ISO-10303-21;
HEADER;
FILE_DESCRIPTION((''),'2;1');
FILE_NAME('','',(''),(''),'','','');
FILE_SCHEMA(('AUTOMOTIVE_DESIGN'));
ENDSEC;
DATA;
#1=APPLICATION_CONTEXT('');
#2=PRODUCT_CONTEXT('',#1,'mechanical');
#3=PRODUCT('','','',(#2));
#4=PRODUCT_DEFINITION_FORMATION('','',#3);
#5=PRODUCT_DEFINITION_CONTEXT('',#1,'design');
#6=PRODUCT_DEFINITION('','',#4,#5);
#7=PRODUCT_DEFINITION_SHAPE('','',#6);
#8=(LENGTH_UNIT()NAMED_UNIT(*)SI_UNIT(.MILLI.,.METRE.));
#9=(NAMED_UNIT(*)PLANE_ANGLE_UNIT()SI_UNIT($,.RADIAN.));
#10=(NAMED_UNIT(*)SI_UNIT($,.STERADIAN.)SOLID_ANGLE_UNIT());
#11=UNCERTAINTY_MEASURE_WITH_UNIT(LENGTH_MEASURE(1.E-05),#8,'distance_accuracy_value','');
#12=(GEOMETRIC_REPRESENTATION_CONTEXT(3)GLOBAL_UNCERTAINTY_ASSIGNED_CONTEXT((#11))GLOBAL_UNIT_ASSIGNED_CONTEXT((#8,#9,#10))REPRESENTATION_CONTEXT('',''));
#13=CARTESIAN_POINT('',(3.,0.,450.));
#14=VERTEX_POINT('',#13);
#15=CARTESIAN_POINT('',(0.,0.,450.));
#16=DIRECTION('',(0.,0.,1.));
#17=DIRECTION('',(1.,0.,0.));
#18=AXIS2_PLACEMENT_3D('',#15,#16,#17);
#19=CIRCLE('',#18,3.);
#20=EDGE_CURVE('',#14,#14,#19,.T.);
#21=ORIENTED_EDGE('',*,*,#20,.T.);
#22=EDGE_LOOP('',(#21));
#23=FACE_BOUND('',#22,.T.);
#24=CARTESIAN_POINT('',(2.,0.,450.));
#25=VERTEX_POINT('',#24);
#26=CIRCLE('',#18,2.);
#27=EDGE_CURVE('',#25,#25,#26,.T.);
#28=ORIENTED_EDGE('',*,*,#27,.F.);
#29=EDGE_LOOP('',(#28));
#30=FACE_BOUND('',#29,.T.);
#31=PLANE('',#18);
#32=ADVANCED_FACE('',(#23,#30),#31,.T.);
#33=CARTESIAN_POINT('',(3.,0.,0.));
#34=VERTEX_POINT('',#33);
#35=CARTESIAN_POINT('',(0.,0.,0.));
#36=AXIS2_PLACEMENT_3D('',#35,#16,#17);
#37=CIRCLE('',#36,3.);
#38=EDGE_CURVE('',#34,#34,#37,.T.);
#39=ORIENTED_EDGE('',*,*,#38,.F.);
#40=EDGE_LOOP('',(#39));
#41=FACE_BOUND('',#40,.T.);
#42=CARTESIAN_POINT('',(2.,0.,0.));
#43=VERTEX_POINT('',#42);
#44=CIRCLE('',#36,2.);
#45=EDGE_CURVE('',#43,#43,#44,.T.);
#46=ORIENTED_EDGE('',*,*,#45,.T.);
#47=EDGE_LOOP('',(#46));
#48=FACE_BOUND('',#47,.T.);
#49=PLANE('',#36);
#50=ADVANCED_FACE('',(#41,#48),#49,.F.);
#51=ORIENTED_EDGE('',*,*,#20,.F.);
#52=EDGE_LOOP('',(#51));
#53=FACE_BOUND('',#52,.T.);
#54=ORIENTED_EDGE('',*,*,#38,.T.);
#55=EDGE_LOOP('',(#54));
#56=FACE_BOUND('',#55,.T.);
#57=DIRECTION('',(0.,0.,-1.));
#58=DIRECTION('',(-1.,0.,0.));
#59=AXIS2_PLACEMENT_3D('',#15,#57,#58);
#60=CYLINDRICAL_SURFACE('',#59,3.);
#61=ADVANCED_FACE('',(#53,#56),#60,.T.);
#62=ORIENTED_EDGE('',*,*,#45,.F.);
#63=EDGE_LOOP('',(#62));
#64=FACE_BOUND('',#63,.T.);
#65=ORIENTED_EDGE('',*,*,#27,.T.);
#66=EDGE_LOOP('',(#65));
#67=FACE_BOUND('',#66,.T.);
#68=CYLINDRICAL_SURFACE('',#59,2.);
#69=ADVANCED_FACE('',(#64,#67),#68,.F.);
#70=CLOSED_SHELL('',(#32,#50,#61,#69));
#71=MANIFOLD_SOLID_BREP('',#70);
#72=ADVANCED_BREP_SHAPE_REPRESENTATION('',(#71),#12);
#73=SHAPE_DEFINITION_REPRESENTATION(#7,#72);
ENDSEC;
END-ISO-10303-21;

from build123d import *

# Parameters (mm, degrees)
ESBO_O1_R                = 3
ESBO_O1_R_2              = 2
RESSALTO_EXTRUS_O1_DEPTH = 450


with BuildPart() as part:
    # Esboço1 → Ressalto-extrusão1 (new body)
    with BuildSketch(Plane.XY):
        Circle(ESBO_O1_R)
        Circle(ESBO_O1_R_2, mode=Mode.SUBTRACT)
    extrude(amount=RESSALTO_EXTRUS_O1_DEPTH)


solid = part.part
